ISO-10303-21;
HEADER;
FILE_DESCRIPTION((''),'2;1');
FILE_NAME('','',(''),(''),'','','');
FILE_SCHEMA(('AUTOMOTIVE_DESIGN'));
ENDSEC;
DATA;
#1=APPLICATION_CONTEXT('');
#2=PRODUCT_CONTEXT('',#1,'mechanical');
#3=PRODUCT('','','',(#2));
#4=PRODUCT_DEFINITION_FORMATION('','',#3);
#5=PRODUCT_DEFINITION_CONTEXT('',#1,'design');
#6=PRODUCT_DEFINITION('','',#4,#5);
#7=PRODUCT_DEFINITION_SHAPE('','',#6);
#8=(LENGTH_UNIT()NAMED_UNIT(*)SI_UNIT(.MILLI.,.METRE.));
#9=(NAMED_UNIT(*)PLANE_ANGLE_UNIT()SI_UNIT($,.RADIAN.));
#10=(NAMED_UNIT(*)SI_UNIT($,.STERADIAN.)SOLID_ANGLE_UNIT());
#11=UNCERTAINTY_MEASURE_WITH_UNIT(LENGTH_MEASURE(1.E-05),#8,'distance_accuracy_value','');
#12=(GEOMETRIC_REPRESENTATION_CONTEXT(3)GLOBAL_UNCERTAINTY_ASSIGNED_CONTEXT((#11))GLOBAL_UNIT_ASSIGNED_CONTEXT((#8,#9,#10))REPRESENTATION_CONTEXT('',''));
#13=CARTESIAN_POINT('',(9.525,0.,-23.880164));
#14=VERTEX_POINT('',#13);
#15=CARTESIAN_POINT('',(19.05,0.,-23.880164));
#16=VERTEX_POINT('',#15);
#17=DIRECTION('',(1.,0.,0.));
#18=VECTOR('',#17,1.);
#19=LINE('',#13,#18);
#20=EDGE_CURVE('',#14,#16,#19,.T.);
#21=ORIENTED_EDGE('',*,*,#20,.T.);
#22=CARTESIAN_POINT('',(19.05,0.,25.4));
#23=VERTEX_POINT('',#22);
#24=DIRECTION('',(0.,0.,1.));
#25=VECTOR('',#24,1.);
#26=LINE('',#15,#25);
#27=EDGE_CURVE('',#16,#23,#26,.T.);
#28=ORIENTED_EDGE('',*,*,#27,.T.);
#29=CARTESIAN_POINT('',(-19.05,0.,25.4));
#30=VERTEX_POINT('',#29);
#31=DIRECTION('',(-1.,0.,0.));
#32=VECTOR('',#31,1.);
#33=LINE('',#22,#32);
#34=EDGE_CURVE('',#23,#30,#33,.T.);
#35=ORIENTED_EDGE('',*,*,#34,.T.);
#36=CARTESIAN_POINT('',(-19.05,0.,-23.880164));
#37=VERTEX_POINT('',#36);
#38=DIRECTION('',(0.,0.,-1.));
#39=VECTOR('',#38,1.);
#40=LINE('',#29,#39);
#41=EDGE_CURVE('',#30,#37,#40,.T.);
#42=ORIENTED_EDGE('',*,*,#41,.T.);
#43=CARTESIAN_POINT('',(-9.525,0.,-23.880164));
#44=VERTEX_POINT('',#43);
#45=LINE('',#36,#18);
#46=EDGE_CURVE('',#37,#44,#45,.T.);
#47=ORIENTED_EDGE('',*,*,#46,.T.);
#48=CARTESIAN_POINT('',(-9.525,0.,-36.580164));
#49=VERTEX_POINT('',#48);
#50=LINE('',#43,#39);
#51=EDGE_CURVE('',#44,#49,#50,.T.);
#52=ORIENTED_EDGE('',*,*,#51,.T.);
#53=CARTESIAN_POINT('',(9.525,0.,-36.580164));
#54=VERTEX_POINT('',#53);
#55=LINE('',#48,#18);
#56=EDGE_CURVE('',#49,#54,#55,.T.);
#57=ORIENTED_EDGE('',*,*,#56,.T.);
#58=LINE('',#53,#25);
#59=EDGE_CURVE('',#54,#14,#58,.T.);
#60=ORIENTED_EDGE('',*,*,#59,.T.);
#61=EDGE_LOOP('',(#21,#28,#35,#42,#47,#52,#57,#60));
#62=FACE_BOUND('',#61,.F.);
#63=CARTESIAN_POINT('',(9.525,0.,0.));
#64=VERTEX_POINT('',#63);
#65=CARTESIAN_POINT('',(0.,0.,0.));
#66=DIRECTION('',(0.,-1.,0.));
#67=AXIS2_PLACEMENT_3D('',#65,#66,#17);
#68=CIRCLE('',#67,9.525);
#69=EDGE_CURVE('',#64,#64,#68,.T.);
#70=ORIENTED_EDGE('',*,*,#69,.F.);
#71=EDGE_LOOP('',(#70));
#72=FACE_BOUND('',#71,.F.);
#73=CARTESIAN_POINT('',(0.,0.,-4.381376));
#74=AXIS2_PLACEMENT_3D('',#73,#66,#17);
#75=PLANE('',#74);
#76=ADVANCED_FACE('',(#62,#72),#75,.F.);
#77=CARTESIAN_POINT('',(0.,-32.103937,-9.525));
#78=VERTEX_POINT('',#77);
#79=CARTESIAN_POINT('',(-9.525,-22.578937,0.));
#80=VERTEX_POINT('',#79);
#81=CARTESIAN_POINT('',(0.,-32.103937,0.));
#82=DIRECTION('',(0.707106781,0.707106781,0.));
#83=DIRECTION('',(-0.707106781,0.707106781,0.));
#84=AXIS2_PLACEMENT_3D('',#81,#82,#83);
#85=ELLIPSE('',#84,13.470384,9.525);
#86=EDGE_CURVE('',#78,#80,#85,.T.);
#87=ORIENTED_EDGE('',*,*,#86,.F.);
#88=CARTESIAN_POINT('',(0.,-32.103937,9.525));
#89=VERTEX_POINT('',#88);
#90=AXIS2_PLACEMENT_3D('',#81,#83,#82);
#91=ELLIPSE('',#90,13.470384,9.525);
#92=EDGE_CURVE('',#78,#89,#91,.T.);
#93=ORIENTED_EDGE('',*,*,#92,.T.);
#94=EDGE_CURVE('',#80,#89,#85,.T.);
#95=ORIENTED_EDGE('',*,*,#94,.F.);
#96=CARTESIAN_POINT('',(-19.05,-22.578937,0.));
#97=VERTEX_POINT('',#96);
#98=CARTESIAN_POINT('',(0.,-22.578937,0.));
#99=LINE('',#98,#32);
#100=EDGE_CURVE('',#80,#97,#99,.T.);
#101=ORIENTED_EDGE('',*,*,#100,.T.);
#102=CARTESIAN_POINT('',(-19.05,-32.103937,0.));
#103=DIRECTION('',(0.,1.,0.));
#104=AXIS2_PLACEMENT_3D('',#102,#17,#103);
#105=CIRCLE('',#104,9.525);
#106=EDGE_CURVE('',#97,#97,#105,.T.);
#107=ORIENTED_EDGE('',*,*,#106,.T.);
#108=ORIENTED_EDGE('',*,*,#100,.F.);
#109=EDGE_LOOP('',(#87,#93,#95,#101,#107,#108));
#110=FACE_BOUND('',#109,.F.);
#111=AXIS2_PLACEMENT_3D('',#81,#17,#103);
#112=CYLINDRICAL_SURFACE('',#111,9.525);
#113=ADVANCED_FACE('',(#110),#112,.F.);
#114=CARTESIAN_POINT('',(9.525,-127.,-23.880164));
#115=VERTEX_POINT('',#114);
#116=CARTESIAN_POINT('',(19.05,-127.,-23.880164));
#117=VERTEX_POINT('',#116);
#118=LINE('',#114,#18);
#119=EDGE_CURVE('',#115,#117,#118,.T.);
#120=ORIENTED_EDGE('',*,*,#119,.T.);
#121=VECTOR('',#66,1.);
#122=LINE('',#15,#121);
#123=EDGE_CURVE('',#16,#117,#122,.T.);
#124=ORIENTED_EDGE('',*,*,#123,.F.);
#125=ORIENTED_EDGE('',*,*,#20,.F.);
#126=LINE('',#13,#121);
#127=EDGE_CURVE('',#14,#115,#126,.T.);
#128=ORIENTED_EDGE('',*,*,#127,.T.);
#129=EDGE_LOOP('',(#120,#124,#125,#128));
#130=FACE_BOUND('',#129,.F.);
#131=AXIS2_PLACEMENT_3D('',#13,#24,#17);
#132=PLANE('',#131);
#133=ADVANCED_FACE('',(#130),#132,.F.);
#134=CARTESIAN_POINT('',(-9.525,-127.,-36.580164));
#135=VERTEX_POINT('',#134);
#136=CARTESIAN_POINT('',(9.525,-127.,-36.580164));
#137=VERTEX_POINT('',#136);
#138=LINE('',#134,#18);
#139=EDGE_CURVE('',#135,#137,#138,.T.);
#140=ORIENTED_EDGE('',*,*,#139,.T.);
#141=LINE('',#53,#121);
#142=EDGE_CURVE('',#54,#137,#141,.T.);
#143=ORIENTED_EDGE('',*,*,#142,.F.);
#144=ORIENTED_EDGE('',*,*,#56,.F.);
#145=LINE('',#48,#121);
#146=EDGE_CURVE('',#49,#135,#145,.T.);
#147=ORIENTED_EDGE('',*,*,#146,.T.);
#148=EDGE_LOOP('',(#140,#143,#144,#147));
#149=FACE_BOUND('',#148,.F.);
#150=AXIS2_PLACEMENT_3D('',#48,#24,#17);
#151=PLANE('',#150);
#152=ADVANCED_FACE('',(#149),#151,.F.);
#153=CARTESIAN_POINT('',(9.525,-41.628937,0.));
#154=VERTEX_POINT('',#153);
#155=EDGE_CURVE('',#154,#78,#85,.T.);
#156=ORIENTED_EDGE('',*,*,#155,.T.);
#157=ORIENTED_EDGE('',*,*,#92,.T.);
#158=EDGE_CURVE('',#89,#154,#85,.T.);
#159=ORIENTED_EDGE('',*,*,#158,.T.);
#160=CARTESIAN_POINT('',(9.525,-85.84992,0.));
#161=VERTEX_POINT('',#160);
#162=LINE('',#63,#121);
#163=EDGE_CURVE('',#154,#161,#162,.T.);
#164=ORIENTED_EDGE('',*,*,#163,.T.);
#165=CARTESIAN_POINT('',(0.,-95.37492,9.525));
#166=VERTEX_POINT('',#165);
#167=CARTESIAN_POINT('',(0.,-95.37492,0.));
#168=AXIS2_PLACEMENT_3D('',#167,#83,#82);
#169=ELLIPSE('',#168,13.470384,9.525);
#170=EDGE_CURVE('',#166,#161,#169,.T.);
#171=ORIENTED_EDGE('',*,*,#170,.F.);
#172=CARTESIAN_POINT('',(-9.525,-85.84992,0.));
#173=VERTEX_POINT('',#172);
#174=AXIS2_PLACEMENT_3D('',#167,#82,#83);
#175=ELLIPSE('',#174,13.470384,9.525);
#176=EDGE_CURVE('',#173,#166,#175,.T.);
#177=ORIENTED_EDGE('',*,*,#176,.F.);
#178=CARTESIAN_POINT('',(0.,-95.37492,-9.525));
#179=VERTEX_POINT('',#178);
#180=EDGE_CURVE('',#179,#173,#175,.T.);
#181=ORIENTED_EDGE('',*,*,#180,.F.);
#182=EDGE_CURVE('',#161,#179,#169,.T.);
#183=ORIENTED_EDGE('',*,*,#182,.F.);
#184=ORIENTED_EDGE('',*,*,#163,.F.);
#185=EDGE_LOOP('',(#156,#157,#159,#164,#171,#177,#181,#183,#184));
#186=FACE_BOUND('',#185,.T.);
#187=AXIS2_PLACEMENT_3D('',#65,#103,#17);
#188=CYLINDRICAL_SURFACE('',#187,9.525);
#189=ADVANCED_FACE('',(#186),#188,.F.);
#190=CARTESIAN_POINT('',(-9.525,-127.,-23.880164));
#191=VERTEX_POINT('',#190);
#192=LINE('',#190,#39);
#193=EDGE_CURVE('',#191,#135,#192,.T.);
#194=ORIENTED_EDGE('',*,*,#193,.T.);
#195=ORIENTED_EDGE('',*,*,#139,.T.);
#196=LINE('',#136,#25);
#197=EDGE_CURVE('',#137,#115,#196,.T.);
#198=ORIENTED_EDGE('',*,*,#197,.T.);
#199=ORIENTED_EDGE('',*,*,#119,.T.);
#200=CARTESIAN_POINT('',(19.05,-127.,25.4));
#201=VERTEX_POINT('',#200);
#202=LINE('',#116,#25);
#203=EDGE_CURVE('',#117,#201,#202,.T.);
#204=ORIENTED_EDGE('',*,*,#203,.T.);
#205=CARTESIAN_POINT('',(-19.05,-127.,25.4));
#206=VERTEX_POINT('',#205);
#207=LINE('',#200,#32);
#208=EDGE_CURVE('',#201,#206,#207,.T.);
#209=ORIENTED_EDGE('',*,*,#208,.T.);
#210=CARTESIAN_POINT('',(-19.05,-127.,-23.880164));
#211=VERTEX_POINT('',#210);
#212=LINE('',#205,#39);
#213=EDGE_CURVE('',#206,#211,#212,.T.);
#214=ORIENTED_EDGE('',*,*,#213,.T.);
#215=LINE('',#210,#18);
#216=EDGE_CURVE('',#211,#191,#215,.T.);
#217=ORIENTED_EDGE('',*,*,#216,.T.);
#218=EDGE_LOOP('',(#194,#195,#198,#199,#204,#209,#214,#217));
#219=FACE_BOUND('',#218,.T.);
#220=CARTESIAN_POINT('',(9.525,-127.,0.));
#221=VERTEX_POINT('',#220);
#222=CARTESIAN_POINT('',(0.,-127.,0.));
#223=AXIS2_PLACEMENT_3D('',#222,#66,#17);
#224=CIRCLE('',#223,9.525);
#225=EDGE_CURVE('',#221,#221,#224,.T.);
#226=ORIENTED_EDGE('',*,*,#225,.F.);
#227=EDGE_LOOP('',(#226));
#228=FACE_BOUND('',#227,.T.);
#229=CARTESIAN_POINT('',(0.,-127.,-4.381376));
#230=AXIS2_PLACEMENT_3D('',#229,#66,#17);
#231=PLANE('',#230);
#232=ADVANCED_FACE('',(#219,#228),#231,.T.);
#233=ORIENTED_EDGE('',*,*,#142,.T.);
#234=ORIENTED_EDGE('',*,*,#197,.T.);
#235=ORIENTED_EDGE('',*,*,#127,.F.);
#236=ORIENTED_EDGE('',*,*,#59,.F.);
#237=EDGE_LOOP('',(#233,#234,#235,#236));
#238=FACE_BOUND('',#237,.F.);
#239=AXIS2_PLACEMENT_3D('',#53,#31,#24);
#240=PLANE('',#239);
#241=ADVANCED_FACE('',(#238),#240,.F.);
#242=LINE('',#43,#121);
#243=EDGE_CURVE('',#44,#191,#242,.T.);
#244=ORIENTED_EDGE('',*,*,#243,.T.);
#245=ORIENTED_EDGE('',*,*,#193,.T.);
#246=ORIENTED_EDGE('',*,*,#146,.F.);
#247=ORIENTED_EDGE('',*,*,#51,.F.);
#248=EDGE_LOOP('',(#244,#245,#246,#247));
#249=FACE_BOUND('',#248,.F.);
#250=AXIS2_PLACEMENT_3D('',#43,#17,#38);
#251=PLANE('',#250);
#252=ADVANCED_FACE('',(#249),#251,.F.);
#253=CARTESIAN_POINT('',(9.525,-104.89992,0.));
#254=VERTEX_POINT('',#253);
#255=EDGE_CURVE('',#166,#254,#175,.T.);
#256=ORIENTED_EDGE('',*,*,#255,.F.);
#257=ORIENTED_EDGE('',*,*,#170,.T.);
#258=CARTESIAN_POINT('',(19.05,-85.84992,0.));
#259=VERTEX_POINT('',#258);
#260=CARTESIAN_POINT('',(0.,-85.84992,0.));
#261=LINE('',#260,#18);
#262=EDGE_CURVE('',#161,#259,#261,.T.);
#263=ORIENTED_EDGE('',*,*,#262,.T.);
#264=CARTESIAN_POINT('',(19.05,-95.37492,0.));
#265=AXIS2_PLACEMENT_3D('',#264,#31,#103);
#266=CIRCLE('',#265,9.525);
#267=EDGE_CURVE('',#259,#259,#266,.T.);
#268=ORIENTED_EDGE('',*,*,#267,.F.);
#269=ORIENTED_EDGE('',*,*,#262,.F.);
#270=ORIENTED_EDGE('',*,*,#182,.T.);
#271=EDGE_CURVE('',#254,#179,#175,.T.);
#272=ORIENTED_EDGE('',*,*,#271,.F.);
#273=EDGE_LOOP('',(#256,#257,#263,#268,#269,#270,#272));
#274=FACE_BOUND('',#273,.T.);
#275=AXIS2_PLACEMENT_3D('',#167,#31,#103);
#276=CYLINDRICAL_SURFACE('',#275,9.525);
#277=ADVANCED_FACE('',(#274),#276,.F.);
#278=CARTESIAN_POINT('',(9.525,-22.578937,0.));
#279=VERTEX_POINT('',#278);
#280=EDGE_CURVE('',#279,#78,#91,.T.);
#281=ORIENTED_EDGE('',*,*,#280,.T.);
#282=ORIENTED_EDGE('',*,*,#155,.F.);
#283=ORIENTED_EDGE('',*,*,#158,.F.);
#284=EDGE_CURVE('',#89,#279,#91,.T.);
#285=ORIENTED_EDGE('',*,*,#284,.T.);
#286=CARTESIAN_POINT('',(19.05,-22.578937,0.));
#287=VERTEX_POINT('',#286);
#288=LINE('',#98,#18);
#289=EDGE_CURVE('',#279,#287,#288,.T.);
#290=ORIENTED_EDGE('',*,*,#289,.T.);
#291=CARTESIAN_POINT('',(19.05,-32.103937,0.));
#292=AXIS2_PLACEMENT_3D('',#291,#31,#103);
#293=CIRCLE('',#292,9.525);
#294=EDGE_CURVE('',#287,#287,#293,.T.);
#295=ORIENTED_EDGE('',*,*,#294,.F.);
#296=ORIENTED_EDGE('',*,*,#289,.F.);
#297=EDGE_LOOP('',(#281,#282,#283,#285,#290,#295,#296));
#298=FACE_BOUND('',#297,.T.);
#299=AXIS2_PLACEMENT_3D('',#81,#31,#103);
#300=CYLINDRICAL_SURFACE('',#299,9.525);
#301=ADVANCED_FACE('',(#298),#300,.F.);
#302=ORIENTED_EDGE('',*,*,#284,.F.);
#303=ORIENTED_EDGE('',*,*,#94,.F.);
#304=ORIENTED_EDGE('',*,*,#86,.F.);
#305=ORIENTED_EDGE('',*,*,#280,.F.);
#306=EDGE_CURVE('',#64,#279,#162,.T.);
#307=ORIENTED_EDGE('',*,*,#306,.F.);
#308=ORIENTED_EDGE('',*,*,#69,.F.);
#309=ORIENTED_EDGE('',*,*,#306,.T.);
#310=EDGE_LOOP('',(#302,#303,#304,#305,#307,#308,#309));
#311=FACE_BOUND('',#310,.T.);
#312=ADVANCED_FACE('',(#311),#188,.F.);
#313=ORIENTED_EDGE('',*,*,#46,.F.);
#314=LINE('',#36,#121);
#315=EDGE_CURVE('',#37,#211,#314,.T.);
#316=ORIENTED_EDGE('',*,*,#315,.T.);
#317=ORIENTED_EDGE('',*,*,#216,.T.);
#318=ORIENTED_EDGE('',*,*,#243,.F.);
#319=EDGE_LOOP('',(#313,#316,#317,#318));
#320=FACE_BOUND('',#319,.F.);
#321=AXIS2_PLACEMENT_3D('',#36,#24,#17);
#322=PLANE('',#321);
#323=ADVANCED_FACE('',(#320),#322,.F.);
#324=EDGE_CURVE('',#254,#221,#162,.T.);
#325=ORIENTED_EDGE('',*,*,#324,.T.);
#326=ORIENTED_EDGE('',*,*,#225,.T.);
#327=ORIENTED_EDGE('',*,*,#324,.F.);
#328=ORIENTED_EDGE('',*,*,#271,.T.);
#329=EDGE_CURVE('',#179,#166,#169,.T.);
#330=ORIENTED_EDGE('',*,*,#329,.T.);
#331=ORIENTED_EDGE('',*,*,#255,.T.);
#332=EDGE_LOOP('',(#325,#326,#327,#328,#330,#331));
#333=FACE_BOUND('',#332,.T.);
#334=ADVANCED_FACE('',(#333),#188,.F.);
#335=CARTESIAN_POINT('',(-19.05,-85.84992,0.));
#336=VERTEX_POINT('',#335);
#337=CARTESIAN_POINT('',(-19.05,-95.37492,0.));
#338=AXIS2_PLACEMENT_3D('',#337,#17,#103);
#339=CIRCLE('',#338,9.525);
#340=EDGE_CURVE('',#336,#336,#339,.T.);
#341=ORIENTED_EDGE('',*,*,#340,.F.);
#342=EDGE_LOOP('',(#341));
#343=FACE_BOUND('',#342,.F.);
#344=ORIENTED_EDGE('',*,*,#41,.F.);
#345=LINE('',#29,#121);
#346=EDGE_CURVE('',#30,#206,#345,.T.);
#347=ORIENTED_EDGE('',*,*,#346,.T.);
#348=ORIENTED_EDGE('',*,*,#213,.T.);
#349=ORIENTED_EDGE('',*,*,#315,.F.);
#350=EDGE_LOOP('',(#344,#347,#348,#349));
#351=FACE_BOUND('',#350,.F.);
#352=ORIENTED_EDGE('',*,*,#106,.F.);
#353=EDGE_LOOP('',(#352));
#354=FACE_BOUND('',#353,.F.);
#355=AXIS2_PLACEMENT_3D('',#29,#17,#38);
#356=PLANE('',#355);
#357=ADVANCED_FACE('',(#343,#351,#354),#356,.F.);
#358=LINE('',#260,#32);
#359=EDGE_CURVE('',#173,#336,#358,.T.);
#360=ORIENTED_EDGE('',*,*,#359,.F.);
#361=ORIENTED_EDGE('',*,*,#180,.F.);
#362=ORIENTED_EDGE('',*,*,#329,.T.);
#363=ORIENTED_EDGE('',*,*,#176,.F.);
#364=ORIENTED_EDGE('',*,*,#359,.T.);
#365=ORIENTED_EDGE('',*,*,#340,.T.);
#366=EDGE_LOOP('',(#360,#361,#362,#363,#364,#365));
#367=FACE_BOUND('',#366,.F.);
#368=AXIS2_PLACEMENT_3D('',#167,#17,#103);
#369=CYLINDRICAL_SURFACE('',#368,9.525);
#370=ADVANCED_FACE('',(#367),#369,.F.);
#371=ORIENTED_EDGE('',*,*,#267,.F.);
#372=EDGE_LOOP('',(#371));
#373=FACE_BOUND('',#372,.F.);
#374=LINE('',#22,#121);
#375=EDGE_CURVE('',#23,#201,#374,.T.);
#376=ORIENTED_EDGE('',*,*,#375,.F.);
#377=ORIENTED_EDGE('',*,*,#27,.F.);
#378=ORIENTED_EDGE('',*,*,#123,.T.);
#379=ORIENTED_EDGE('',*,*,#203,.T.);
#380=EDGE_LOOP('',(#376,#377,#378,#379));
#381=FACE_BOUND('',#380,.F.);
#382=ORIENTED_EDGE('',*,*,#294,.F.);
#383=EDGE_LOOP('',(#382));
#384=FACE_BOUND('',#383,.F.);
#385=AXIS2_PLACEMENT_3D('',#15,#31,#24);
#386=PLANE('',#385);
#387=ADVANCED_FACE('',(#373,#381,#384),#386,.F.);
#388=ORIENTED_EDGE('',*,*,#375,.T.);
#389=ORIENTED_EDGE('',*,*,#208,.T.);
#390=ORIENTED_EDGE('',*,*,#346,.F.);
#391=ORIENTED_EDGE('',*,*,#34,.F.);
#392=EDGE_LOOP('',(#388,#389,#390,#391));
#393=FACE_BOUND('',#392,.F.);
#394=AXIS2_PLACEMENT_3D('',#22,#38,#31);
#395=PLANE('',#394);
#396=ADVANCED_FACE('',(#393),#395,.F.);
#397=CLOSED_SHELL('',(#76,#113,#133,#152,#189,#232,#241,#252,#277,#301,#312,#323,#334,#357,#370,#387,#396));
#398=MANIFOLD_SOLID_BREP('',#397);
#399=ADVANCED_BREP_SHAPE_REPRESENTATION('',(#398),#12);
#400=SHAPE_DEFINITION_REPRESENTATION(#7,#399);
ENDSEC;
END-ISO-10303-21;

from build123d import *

# Parameters (mm, degrees)
F0_R          = 9.525
F1_DEPTH      = 127
F2_R          = 9.525
F3_DEPTH      = 38.1
F3_DEPTH_BACK = 38.1


with BuildPart() as f1:
    # F0 (on Front) → F1 (new body)
    with BuildSketch(Plane.XZ):
        Polygon((-9.525, -23.880164), (-9.525, -36.580164), (9.525, -36.580164), (9.525, -23.880164), (19.05, -23.880164), (19.05, 0), (19.05, 25.4), (0, 25.4), (-19.05, 25.4), (-19.05, 0), (-19.05, -23.880164), align=None)
        Circle(F0_R, mode=Mode.SUBTRACT)
    extrude(amount=F1_DEPTH)

    # F2 (on Right) → F3 (cut, two sides)
    with BuildSketch(Plane.YZ) as f3_sk:
        with Locations((-32.103937, 0)):
            Circle(F2_R)
        with Locations((-95.37492, 0)):
            Circle(F2_R)
    extrude(amount=F3_DEPTH, mode=Mode.SUBTRACT)
    extrude(f3_sk.sketch, amount=-F3_DEPTH_BACK, mode=Mode.SUBTRACT)


solid = f1.part
